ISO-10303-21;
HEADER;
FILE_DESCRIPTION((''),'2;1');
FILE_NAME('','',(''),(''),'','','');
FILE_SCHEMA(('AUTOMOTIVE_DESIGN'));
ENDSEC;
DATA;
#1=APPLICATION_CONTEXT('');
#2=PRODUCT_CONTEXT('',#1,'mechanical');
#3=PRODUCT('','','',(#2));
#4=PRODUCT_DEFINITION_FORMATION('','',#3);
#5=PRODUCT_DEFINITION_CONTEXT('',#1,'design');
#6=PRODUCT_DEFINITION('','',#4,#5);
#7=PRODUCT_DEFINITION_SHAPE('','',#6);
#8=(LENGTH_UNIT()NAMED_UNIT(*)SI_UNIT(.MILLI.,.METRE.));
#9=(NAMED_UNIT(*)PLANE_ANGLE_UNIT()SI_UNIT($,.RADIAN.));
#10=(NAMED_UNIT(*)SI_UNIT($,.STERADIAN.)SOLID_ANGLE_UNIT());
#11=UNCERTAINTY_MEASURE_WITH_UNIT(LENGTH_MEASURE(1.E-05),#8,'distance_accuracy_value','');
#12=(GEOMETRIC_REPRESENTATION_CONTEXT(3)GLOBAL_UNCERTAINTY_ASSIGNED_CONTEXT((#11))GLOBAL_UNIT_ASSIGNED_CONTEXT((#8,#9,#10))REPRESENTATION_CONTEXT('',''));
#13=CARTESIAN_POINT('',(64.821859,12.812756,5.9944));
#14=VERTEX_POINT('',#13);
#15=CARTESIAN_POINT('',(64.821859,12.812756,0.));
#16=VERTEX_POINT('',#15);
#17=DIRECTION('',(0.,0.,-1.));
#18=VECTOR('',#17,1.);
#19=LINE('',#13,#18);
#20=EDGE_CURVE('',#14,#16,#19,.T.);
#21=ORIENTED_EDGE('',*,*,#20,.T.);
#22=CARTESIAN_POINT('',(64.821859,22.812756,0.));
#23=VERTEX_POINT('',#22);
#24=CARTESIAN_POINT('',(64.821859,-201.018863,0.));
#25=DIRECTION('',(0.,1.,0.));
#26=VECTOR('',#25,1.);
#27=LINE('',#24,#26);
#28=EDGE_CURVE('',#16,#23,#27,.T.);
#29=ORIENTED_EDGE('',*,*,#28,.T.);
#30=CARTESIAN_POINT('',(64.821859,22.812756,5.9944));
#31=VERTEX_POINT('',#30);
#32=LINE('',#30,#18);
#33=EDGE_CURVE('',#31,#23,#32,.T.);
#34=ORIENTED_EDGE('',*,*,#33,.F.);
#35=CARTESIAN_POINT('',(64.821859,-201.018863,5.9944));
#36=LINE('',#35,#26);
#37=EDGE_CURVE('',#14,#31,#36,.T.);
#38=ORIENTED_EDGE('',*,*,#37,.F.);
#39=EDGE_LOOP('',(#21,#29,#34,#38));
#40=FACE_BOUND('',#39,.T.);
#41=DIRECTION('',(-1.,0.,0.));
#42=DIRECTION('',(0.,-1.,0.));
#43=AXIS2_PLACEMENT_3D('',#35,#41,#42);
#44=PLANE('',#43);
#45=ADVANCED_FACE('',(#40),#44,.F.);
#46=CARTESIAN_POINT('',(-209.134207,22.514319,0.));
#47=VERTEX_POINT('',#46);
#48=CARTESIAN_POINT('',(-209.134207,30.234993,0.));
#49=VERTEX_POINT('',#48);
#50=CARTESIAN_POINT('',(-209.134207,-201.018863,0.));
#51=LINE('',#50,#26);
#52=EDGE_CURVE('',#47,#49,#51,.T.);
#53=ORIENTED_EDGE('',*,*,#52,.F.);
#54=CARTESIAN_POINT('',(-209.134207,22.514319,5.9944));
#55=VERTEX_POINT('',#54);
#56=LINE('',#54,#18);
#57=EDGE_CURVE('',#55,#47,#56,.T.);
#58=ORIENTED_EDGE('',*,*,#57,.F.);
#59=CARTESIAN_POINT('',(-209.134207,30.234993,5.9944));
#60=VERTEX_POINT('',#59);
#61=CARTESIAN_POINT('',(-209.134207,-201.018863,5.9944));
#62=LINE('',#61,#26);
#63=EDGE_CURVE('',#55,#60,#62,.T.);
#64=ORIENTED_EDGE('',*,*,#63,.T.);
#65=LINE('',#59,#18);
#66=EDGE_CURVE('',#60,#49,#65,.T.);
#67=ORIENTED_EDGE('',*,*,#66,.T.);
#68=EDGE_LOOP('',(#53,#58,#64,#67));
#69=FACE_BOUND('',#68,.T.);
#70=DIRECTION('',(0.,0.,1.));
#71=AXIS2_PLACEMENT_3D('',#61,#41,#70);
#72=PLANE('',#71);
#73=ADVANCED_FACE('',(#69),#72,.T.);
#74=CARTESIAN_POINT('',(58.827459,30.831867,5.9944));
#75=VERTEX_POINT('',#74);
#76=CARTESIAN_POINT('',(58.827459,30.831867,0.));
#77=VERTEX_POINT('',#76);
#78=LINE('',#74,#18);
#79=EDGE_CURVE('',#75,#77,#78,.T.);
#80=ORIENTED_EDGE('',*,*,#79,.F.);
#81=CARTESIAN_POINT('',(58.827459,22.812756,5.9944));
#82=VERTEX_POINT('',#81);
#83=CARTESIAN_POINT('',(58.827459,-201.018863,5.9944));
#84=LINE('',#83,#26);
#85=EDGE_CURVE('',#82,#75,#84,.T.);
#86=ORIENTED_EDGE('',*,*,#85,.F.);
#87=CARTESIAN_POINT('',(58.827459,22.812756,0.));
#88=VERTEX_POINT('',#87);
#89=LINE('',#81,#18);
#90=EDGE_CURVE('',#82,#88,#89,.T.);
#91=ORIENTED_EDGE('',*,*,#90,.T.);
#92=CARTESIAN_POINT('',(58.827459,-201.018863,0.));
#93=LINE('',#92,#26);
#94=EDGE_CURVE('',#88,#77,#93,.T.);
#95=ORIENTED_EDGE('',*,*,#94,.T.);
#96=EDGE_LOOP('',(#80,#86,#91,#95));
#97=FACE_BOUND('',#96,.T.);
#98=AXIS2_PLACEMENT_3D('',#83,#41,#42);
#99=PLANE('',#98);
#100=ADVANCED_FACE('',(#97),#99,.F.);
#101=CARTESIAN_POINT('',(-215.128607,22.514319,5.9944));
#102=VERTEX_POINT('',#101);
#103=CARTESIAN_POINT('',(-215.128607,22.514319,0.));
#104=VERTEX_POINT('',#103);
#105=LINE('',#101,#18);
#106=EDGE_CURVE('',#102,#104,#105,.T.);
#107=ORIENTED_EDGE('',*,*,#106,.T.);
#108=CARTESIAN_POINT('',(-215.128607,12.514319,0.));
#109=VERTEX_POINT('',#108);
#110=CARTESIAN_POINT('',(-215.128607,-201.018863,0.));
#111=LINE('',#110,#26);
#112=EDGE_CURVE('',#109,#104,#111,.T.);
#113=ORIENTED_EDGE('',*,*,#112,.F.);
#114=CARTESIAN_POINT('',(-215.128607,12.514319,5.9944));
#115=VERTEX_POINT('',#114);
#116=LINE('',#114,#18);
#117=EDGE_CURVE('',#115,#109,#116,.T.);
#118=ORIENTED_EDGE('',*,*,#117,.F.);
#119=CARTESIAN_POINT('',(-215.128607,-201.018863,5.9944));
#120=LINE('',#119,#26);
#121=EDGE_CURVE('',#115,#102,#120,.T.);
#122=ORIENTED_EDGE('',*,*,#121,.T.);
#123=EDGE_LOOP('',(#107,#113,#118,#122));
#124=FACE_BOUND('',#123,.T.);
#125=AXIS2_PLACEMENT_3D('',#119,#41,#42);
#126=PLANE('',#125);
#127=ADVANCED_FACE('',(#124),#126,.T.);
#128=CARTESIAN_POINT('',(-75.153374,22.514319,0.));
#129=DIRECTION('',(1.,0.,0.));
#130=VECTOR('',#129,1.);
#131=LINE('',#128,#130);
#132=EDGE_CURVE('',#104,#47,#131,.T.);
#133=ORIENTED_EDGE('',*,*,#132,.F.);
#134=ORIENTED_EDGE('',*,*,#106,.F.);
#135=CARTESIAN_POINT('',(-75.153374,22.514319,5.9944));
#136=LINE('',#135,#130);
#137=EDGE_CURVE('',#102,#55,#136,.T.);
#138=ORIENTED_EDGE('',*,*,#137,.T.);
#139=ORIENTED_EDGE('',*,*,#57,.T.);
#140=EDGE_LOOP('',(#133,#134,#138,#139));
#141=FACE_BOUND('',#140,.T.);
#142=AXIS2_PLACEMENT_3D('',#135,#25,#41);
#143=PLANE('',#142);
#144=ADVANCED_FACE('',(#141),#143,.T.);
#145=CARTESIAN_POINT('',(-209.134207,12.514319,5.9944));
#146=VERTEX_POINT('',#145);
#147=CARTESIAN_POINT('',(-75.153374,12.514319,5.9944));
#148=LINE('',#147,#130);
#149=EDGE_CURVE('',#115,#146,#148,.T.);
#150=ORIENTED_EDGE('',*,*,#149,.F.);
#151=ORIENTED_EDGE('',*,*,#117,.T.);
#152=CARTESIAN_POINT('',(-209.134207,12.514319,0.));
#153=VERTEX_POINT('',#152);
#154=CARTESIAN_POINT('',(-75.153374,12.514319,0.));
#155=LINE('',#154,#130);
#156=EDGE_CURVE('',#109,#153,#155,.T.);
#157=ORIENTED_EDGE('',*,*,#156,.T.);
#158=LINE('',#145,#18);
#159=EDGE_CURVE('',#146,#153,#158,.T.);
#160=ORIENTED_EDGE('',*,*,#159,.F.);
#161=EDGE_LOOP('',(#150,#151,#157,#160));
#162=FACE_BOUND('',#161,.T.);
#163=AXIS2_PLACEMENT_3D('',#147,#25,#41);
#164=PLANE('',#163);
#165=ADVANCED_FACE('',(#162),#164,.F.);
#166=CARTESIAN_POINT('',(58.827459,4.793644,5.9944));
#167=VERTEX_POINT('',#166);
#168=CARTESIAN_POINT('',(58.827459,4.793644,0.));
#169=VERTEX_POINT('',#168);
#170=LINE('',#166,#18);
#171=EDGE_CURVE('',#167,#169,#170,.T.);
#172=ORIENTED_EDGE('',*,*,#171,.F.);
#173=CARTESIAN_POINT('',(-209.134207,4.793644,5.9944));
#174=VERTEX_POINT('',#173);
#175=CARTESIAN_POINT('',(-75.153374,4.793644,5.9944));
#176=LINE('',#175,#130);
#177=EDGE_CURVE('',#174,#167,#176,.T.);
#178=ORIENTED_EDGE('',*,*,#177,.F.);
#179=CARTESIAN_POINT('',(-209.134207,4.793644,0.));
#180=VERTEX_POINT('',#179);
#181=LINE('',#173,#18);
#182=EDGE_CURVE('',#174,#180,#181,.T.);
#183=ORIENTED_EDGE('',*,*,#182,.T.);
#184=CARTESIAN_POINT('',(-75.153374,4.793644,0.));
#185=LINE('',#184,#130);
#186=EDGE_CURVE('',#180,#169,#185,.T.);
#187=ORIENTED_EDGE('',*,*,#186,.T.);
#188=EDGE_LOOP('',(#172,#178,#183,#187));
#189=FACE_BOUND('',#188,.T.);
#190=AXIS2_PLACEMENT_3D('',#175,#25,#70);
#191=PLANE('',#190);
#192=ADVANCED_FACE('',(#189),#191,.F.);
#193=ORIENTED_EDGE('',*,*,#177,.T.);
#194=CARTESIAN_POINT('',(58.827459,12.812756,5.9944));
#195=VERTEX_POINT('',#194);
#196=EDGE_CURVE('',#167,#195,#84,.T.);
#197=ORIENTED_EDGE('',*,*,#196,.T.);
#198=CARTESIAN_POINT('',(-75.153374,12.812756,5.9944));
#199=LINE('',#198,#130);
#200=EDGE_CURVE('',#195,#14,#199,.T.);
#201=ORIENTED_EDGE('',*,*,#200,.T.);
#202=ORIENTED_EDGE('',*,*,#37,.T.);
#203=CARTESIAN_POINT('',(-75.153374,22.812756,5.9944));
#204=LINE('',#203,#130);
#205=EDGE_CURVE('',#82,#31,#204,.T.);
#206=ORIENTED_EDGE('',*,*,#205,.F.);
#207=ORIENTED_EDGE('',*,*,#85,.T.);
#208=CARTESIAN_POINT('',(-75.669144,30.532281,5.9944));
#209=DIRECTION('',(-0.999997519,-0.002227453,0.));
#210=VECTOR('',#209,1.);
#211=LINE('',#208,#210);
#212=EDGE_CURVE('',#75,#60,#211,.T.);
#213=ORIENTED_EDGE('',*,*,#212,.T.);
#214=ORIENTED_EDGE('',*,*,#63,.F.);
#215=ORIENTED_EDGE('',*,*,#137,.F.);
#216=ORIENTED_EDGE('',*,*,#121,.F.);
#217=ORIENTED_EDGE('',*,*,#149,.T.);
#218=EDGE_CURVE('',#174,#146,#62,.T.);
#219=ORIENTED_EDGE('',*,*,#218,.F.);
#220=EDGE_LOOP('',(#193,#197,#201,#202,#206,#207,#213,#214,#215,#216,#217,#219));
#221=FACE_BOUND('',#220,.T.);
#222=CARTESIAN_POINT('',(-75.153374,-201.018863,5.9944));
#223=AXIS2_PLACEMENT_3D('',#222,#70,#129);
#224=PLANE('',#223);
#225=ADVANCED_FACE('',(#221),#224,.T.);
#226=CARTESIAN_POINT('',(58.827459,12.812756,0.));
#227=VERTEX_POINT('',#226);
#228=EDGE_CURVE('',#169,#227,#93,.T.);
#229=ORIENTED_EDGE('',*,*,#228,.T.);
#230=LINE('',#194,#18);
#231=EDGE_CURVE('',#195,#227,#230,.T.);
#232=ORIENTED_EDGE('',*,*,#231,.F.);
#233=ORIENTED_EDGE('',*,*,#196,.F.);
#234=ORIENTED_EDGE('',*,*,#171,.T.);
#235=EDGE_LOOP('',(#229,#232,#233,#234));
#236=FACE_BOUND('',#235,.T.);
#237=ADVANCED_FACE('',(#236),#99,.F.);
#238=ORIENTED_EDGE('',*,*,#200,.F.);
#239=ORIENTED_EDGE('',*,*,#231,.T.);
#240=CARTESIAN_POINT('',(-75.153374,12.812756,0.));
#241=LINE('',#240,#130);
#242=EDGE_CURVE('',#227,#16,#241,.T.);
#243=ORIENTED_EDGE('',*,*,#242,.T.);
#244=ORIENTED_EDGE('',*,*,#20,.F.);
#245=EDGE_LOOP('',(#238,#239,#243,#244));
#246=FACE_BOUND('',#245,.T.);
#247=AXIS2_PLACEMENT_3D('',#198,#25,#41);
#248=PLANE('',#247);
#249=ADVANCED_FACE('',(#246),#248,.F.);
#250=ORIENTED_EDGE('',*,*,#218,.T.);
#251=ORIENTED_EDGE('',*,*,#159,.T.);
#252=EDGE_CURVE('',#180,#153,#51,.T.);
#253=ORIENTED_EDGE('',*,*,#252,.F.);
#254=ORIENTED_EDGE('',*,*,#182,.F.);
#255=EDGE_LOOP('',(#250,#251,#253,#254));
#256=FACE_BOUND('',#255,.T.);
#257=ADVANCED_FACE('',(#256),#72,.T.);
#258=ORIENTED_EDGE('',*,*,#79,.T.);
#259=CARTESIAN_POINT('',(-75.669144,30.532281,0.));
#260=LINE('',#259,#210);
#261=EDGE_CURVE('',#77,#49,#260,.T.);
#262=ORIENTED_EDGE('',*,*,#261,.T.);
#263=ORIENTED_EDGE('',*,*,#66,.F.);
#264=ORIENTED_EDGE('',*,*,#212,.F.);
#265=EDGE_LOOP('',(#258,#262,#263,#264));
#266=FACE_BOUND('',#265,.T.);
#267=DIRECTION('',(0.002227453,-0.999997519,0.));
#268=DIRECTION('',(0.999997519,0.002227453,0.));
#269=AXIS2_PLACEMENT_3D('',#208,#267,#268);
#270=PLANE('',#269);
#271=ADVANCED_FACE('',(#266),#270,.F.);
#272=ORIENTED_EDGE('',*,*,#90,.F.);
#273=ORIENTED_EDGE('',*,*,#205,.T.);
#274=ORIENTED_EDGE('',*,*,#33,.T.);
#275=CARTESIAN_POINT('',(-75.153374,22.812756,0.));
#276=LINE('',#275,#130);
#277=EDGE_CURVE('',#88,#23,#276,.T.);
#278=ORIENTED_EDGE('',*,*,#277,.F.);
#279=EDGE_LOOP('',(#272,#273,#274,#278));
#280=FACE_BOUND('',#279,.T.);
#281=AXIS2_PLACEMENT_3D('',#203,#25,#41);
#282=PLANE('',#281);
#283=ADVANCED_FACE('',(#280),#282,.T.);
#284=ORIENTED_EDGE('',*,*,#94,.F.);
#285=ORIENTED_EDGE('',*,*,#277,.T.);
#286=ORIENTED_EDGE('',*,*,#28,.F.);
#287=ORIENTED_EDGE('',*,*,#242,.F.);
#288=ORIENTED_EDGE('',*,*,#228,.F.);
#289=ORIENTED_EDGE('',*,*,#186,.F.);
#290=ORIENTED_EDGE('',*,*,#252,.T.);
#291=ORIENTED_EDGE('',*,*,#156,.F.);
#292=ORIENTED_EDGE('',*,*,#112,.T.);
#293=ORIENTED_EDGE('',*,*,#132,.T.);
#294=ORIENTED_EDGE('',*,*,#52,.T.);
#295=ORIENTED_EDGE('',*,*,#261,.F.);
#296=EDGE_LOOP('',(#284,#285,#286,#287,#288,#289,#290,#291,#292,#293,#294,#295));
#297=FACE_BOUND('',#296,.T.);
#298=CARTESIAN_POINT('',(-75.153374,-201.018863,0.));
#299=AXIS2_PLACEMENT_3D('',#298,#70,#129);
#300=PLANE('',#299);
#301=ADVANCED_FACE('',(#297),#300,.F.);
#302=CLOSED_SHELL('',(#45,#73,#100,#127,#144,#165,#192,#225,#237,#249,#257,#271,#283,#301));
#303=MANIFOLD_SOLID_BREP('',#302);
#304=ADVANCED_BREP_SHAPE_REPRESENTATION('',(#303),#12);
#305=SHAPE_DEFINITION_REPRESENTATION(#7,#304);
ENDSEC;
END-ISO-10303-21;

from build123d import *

# Parameters (mm, degrees)
SKETCH1_W      = 5.9944
SKETCH1_H      = 10
EXTRUDE1_DEPTH = 5.9944


with BuildPart() as part:
    # Sketch1 → Extrude1 (new body)
    with BuildSketch(Plane.XY):
        Polygon((-209.134206709, 4.793644232), (58.827458806, 4.793644232), (58.827458806, 30.831866903), (-209.134206709, 30.234993462), align=None)
        with Locations((-212.131406709, 17.514318847)):
            Rectangle(SKETCH1_W, SKETCH1_H)
        with Locations((61.824658806, 17.812755567)):
            Rectangle(SKETCH1_W, SKETCH1_H)
    extrude(amount=EXTRUDE1_DEPTH)


solid = part.part
